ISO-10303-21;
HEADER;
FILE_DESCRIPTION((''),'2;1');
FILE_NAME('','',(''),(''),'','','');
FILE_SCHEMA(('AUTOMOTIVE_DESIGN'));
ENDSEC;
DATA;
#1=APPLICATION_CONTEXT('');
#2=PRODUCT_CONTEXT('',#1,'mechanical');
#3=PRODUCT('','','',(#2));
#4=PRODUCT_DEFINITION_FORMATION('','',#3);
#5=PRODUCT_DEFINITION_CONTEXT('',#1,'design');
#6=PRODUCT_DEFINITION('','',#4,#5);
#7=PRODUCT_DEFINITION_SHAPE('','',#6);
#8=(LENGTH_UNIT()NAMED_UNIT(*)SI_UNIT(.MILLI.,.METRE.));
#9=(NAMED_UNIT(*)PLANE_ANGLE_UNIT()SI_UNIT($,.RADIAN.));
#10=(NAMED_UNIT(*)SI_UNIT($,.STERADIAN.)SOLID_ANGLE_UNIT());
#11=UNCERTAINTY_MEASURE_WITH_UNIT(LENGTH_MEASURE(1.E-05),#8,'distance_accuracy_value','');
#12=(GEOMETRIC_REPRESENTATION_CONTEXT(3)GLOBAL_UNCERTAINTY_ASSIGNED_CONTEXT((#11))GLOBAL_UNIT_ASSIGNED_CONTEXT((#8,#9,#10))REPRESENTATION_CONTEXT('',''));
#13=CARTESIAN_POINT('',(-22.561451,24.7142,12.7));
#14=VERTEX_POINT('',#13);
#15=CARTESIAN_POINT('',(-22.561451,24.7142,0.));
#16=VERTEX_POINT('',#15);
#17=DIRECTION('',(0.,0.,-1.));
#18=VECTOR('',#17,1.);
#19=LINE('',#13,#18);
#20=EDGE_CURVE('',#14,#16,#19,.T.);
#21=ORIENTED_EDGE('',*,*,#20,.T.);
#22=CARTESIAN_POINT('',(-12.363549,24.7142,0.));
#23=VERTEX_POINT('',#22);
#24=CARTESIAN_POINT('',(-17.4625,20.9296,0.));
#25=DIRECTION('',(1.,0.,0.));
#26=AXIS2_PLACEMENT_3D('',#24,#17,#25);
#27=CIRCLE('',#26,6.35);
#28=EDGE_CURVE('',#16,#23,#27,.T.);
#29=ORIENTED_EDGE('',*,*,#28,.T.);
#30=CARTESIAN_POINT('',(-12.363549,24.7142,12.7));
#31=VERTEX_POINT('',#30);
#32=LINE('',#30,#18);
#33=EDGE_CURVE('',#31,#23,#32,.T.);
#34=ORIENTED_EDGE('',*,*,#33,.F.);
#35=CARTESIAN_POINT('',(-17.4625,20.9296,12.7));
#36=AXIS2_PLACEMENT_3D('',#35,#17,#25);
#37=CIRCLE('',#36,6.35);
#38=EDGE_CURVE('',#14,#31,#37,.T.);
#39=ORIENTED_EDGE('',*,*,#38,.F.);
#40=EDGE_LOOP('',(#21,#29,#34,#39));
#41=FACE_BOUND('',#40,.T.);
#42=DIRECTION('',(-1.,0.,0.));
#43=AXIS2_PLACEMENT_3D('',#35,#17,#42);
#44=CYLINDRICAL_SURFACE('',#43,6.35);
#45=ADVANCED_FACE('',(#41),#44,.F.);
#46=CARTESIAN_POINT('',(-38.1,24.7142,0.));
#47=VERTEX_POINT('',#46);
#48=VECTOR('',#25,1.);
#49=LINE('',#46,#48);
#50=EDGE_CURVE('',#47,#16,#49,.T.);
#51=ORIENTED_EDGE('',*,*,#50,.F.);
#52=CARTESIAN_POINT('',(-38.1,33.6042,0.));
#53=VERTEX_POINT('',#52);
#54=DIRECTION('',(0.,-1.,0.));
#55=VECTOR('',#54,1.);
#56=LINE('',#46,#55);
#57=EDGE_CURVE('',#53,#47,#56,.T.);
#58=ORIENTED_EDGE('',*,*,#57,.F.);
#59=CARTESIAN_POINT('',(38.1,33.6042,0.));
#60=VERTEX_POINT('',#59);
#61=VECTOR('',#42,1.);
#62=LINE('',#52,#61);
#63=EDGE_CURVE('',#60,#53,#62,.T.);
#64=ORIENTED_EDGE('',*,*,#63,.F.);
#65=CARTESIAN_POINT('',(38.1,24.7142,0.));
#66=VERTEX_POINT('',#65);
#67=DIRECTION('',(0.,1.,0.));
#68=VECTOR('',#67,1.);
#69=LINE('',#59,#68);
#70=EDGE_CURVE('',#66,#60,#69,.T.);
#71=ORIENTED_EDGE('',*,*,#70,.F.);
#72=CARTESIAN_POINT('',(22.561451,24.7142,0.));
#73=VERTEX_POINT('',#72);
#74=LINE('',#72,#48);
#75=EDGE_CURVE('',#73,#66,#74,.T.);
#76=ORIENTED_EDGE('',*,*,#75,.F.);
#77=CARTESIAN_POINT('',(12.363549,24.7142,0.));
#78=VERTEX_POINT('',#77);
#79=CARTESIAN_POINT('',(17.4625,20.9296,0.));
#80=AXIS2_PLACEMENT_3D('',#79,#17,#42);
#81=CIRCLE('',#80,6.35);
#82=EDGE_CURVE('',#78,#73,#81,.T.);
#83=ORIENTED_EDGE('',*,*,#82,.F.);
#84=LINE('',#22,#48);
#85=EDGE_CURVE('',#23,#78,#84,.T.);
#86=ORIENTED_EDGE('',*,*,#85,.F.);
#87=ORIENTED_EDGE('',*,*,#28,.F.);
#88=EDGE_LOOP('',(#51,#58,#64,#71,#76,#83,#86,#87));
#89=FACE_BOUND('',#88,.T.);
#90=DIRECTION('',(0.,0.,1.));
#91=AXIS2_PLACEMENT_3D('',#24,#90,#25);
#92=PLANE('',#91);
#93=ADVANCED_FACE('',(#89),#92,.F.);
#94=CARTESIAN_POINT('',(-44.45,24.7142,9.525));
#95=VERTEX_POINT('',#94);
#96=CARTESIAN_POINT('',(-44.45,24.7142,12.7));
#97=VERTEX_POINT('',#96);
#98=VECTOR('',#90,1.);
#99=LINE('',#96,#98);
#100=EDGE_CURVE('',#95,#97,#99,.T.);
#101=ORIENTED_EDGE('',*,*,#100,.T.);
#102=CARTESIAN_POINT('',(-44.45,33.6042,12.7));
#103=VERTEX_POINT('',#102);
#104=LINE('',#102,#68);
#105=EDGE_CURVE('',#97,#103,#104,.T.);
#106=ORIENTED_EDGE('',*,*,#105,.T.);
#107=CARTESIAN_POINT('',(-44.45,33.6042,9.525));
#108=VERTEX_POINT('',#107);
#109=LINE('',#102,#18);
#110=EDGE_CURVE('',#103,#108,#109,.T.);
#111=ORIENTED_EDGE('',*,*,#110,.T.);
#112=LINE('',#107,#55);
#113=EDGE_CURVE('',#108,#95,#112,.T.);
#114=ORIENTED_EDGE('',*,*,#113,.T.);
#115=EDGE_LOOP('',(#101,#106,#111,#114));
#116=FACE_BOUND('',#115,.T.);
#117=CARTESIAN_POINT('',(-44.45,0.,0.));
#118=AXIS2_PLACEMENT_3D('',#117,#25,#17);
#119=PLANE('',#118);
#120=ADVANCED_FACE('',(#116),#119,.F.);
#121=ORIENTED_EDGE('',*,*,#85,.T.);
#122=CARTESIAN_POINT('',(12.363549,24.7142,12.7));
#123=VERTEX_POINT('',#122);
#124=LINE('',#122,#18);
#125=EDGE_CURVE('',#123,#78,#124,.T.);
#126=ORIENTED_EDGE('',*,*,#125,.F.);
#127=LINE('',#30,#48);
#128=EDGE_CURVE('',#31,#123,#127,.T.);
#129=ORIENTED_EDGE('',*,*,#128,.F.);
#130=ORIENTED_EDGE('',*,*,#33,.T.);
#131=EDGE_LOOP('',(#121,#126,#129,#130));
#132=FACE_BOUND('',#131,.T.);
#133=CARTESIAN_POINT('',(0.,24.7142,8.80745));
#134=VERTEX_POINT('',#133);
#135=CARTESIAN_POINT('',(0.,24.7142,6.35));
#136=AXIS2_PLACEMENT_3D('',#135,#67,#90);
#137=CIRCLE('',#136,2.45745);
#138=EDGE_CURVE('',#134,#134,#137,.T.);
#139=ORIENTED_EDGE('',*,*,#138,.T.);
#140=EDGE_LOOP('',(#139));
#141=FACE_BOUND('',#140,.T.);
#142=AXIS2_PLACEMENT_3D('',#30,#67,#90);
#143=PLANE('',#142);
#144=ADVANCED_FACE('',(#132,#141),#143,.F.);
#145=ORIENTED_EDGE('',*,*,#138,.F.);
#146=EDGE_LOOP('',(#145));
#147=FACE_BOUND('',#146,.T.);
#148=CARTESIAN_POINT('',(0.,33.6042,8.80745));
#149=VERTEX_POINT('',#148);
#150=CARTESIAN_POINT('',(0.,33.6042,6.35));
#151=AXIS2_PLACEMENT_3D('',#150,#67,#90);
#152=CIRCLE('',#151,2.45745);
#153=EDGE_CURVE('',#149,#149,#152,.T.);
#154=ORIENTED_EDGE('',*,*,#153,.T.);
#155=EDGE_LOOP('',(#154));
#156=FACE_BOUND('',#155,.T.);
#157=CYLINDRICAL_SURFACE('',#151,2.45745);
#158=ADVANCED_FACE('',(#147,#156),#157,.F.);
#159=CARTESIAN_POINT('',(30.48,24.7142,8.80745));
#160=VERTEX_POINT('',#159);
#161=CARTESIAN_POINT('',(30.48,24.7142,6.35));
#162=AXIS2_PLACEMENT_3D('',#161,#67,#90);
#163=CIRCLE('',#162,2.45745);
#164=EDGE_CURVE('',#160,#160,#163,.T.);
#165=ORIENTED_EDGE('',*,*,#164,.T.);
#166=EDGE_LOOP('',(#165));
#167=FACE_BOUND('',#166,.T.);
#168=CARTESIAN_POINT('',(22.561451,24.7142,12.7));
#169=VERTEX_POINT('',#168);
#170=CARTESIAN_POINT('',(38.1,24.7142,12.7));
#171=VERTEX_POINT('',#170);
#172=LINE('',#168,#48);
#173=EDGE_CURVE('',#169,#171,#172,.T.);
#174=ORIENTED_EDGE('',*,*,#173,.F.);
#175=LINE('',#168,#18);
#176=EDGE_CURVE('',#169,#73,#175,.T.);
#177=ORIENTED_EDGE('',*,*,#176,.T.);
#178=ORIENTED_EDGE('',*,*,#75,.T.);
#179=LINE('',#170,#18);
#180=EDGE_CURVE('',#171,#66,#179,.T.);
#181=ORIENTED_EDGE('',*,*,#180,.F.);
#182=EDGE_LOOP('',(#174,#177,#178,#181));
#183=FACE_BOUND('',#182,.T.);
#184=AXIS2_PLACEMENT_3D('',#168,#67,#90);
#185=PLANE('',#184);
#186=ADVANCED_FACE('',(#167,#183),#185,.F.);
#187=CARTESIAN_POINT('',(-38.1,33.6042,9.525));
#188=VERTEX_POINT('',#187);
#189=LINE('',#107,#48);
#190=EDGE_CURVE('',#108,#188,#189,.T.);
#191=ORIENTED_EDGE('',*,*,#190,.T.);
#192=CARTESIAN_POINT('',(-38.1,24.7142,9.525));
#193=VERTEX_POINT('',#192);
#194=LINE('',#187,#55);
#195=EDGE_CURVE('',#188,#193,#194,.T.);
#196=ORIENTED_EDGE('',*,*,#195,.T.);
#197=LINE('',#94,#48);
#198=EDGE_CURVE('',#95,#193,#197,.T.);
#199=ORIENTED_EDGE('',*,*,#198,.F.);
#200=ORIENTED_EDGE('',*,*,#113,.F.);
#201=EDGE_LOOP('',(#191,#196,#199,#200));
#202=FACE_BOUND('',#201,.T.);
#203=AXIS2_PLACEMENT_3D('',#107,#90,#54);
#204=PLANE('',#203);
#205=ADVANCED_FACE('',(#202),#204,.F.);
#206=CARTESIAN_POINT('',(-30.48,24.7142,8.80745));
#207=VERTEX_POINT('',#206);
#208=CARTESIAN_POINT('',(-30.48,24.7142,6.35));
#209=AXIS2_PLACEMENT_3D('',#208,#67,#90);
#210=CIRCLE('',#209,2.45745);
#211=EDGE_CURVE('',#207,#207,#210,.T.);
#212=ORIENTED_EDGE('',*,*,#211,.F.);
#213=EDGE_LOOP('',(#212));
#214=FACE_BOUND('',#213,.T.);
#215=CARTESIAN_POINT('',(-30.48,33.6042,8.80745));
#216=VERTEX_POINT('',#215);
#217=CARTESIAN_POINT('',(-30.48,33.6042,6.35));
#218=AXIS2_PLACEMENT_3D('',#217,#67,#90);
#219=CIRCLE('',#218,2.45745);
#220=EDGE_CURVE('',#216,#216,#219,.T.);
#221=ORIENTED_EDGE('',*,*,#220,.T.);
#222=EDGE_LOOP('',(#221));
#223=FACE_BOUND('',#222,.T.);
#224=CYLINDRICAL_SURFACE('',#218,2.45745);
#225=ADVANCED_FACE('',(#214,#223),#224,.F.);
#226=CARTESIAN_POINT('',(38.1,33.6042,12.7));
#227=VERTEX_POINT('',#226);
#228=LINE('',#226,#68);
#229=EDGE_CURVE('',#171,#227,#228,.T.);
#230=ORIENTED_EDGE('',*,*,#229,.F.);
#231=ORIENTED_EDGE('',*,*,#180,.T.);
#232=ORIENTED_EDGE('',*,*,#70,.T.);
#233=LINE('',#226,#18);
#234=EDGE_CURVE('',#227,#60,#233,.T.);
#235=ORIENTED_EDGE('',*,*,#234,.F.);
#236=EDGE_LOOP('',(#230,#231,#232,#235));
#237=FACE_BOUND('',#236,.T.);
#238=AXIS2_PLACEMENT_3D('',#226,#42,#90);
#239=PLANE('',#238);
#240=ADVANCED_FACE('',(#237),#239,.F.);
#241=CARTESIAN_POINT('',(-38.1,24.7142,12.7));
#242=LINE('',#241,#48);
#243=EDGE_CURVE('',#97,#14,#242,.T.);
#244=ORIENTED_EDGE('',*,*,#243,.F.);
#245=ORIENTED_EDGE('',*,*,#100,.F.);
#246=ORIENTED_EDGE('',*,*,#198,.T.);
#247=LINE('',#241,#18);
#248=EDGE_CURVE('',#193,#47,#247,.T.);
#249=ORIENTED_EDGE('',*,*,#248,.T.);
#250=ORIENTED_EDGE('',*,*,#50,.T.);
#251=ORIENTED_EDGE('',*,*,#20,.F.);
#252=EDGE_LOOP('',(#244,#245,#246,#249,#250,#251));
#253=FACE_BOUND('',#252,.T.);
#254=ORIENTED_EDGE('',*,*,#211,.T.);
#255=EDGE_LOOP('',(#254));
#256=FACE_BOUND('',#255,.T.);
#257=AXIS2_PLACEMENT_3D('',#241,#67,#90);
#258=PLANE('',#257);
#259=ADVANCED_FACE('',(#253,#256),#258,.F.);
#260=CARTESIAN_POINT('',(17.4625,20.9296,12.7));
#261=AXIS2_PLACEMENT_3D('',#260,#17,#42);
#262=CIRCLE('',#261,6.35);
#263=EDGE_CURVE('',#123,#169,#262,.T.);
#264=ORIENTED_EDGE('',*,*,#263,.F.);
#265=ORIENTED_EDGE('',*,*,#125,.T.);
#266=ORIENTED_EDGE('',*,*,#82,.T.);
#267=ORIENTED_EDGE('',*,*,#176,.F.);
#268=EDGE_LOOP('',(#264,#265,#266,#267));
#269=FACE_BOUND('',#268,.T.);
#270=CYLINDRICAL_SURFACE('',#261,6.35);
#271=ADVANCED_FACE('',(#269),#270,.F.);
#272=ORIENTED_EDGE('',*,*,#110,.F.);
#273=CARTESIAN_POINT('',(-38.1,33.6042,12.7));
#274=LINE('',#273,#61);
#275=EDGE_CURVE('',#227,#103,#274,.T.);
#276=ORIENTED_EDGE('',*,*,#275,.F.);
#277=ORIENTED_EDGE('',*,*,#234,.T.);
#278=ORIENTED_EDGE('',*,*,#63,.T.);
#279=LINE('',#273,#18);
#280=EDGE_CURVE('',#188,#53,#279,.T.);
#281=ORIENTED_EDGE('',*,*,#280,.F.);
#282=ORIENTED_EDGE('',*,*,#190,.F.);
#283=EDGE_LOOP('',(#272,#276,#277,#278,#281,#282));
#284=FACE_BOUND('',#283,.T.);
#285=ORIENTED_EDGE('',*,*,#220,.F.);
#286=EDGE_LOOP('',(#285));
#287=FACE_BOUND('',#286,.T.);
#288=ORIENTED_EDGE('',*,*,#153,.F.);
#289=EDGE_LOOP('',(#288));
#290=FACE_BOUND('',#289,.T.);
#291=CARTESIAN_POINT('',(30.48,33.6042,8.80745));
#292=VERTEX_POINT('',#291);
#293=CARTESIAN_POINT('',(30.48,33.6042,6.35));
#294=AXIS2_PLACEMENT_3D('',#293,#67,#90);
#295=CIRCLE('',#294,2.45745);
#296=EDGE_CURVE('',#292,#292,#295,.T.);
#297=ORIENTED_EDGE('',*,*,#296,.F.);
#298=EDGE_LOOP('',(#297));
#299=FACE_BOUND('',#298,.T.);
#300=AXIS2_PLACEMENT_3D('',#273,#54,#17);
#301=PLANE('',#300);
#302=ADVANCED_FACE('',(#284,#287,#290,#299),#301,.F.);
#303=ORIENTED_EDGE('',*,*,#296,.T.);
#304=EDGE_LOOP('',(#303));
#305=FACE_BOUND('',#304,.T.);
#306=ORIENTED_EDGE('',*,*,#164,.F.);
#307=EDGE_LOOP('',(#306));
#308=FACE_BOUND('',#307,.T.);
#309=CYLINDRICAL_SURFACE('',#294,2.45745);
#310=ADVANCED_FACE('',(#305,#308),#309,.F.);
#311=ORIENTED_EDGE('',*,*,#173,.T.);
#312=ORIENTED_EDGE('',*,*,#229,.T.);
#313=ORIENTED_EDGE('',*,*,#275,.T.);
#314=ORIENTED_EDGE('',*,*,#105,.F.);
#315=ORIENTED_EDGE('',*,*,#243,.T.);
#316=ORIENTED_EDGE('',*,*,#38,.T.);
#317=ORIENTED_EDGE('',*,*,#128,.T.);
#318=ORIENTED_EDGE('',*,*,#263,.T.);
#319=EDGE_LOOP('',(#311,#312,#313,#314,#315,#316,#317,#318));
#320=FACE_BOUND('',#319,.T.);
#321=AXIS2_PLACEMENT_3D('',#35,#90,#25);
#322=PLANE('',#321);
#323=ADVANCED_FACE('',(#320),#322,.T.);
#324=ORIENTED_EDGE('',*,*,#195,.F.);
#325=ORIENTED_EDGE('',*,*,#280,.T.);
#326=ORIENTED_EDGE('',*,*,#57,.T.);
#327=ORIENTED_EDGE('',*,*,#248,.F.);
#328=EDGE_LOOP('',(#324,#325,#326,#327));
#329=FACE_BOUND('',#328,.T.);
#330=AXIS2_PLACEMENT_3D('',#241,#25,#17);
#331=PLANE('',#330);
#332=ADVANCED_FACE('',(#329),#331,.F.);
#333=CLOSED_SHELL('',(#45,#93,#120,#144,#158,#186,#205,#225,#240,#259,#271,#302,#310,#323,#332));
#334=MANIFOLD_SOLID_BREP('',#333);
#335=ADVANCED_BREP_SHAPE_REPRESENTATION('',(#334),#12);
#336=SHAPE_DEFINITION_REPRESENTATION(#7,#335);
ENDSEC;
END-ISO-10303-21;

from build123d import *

# Parameters (mm, degrees)
BOSS_EXTRUDE1_DEPTH          = 12.7
SKETCH2_W                    = 3.175
SKETCH2_H                    = 8.89
BOSS_EXTRUDE2_DEPTH          = 6.35
F_10_0_1935_DIAMETER_HOLE1_D = 4.9149


with BuildPart() as part:
    # Sketch1 → Boss-Extrude1 (new body)
    with BuildSketch(Plane.XY):
        with BuildLine():
            Line((38.1, 33.6042), (38.1, 24.7142))
            Line((38.1, 24.7142), (22.561451151, 24.7142))
            ThreePointArc((22.561451151, 24.7142), (17.4625, 27.2796), (12.363548849, 24.7142))
            Line((12.363548849, 24.7142), (-12.363548849, 24.7142))
            ThreePointArc((-12.363548849, 24.7142), (-17.4625, 27.2796), (-22.561451151, 24.7142))
            Line((-22.561451151, 24.7142), (-38.1, 24.7142))
            Line((-38.1, 24.7142), (-38.1, 33.6042))
            Line((-38.1, 33.6042), (38.1, 33.6042))
        make_face()
    extrude(amount=BOSS_EXTRUDE1_DEPTH)

    # Sketch2 → Boss-Extrude2 (add)
    with BuildSketch(Plane.ZY.offset(38.1)):
        with Locations((11.1125, 29.1592)):
            Rectangle(SKETCH2_W, SKETCH2_H)
    extrude(amount=BOSS_EXTRUDE2_DEPTH)

    # #10 (0.1935) Diameter Hole1 (through all)
    with Locations(Plane(origin=(-30.48, 33.6042, 6.35), x_dir=(0, 0, 1), z_dir=(0, 1, 0))):
        with Locations((0, 0), (0, 30.48), (0, 60.96)):
            Hole(F_10_0_1935_DIAMETER_HOLE1_D / 2)


solid = part.part
